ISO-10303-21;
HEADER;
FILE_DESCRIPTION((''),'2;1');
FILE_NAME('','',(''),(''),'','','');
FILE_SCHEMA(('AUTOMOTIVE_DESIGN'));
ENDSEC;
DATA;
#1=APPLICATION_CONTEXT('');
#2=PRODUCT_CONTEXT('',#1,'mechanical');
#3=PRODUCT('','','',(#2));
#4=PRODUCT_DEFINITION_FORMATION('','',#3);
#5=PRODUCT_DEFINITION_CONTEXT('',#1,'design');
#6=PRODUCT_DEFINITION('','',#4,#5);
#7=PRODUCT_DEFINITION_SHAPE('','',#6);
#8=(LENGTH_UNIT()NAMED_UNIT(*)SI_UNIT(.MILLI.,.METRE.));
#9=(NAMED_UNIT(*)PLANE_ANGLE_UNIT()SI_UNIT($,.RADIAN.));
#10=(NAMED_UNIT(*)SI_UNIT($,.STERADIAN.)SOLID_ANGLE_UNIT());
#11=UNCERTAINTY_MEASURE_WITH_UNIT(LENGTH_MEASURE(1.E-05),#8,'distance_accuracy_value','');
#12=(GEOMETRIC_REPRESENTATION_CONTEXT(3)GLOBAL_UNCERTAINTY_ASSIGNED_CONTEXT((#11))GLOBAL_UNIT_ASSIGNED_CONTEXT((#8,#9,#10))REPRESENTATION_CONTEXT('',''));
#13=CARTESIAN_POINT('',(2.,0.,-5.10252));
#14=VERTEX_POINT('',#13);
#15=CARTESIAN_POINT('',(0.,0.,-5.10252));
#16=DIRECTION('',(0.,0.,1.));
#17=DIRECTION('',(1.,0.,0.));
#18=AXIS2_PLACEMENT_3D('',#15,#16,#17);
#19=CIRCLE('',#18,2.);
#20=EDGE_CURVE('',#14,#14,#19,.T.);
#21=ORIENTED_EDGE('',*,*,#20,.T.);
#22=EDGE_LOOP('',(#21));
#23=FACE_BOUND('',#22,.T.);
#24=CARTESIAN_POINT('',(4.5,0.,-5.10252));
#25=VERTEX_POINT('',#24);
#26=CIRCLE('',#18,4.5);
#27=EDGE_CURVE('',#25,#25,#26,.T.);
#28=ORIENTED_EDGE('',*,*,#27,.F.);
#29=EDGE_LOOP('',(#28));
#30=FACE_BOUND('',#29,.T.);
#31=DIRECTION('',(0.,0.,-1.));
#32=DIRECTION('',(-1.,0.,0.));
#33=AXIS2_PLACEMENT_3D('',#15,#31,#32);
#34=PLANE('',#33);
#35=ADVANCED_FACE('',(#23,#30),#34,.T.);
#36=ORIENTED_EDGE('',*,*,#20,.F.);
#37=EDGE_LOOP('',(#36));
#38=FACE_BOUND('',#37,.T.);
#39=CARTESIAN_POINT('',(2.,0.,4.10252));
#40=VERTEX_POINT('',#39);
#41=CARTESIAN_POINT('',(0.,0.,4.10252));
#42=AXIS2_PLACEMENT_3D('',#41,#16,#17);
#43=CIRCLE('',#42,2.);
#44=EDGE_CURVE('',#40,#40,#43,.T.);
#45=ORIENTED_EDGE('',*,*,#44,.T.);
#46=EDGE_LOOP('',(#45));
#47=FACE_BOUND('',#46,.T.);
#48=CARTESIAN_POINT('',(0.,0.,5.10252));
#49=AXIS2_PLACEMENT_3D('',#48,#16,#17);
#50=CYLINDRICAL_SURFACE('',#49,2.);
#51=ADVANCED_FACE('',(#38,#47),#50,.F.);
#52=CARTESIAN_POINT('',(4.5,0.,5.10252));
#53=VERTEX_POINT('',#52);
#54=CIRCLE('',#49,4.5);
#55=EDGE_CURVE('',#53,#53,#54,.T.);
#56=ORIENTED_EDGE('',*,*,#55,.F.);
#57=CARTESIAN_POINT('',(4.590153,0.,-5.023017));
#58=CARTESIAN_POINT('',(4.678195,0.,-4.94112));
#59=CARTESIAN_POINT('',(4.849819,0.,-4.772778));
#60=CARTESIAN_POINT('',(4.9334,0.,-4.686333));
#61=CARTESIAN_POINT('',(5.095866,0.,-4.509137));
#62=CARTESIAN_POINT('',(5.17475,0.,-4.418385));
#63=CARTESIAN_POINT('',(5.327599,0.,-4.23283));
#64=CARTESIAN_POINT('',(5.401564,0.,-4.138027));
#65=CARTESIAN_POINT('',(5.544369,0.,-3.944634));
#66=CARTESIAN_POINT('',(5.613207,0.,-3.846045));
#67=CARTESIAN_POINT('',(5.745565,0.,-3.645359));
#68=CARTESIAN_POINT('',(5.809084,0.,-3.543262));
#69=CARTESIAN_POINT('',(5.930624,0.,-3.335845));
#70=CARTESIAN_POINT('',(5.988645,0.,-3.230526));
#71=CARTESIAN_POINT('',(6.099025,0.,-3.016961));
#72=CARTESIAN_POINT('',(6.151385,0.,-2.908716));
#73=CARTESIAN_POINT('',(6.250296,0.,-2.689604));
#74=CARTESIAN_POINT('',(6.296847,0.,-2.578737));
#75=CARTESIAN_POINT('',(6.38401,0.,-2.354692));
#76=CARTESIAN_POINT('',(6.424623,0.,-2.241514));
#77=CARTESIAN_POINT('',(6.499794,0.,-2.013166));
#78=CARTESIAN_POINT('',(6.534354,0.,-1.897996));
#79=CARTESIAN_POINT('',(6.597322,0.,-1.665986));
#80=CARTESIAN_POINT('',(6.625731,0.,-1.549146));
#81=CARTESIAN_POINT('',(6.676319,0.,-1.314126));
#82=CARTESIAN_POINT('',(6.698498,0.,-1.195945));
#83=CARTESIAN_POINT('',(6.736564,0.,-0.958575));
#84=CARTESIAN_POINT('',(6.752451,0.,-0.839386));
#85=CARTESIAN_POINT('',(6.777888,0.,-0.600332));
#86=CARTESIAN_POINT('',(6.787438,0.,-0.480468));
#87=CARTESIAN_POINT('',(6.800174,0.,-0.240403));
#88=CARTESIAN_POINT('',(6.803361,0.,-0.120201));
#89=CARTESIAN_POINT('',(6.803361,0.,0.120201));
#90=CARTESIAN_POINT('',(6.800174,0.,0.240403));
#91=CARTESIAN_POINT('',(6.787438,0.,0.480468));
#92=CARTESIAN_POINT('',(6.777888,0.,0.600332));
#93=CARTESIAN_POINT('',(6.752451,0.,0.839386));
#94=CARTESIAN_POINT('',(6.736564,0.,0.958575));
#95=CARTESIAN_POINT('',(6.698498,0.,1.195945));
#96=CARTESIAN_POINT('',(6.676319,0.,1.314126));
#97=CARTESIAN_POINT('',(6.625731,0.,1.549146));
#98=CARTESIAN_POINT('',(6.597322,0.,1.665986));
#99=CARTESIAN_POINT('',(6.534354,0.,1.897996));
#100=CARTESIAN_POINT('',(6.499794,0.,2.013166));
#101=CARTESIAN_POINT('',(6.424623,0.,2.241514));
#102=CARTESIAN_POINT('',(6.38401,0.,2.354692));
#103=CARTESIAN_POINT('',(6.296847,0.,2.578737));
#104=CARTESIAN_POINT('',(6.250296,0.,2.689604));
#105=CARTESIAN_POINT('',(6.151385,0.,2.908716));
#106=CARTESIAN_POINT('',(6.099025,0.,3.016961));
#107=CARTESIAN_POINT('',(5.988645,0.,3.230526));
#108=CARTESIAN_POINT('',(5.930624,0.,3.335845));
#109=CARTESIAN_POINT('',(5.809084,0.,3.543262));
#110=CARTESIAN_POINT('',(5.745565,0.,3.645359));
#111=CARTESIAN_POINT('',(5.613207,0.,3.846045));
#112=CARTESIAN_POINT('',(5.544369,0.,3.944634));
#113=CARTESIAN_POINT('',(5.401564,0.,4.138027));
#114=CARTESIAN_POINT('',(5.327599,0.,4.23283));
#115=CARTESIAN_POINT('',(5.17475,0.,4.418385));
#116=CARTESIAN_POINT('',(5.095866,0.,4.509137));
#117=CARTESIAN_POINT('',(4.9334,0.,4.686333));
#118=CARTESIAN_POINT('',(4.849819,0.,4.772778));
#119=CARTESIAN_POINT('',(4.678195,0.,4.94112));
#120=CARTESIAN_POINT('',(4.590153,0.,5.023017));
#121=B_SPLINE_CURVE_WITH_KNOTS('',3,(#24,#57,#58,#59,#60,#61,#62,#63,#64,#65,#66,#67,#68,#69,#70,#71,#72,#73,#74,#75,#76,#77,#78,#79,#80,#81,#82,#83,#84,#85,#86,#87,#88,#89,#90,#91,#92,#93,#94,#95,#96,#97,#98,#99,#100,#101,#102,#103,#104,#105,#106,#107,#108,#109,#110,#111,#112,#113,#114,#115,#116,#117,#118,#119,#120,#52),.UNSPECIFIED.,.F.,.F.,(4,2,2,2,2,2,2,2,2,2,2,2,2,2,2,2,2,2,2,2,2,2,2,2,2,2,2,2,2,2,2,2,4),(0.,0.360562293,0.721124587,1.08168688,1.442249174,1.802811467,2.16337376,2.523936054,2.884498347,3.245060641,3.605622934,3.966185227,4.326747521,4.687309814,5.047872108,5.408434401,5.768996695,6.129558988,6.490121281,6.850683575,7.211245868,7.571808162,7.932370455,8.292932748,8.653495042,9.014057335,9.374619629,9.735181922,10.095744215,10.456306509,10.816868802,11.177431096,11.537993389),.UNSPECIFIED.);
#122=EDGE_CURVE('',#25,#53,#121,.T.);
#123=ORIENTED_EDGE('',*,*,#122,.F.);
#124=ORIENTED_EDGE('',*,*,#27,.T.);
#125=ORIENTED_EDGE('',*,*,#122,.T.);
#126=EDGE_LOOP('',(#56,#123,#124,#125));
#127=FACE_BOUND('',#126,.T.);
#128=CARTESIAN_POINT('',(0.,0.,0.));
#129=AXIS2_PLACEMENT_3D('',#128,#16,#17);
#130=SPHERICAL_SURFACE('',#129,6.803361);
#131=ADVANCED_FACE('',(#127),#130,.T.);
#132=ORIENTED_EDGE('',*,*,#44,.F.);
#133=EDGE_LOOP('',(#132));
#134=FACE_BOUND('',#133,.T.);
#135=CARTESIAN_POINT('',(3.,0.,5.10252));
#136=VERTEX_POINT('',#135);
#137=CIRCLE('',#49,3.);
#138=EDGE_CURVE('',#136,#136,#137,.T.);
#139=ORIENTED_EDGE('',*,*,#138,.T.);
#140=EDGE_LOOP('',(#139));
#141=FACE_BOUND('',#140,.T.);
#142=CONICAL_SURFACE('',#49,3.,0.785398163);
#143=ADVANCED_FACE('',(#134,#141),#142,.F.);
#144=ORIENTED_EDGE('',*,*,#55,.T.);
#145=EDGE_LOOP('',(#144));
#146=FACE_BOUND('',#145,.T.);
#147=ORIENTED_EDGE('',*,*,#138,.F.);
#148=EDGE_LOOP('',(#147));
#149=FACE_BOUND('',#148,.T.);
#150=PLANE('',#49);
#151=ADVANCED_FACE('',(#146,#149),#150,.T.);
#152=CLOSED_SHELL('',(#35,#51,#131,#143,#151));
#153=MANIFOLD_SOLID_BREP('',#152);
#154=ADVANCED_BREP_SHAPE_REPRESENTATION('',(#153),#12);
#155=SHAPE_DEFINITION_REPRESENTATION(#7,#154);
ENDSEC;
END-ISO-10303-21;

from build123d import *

# Parameters (mm, degrees)
CSK_FOR_M1_6_COUNTERSUNK_FLAT_HEAD_SCREW_D           = 4
CSK_FOR_M1_6_COUNTERSUNK_FLAT_HEAD_SCREW_CSINK_D     = 6
CSK_FOR_M1_6_COUNTERSUNK_FLAT_HEAD_SCREW_CSINK_ANGLE = 90


with BuildPart() as part:
    # Sketch1 → Revolve1 (revolve)
    with BuildSketch(Plane(origin=(0, 0, 0), x_dir=(1, 0, 0), z_dir=(0, 1, 0))):
        with BuildLine():
            Line((0, -5.102520386), (0, 5.102520386))
            Line((0, 5.102520386), (4.5, 5.102520386))
            ThreePointArc((4.5, 5.102520386), (6.803360514, 0), (4.5, -5.102520386))
            Line((4.5, -5.102520386), (0, -5.102520386))
        make_face()
    revolve(axis=Axis((0, 0, 5.102520386), (0, 0, -1)))

    # CSK for M1.6 Countersunk Flat Head Screw1 (through all)
    with Locations(Plane.XY.offset(5.102520386)):
        with Locations((0, 0)):
            CounterSinkHole(CSK_FOR_M1_6_COUNTERSUNK_FLAT_HEAD_SCREW_D / 2, CSK_FOR_M1_6_COUNTERSUNK_FLAT_HEAD_SCREW_CSINK_D / 2, counter_sink_angle=CSK_FOR_M1_6_COUNTERSUNK_FLAT_HEAD_SCREW_CSINK_ANGLE)


solid = part.part
